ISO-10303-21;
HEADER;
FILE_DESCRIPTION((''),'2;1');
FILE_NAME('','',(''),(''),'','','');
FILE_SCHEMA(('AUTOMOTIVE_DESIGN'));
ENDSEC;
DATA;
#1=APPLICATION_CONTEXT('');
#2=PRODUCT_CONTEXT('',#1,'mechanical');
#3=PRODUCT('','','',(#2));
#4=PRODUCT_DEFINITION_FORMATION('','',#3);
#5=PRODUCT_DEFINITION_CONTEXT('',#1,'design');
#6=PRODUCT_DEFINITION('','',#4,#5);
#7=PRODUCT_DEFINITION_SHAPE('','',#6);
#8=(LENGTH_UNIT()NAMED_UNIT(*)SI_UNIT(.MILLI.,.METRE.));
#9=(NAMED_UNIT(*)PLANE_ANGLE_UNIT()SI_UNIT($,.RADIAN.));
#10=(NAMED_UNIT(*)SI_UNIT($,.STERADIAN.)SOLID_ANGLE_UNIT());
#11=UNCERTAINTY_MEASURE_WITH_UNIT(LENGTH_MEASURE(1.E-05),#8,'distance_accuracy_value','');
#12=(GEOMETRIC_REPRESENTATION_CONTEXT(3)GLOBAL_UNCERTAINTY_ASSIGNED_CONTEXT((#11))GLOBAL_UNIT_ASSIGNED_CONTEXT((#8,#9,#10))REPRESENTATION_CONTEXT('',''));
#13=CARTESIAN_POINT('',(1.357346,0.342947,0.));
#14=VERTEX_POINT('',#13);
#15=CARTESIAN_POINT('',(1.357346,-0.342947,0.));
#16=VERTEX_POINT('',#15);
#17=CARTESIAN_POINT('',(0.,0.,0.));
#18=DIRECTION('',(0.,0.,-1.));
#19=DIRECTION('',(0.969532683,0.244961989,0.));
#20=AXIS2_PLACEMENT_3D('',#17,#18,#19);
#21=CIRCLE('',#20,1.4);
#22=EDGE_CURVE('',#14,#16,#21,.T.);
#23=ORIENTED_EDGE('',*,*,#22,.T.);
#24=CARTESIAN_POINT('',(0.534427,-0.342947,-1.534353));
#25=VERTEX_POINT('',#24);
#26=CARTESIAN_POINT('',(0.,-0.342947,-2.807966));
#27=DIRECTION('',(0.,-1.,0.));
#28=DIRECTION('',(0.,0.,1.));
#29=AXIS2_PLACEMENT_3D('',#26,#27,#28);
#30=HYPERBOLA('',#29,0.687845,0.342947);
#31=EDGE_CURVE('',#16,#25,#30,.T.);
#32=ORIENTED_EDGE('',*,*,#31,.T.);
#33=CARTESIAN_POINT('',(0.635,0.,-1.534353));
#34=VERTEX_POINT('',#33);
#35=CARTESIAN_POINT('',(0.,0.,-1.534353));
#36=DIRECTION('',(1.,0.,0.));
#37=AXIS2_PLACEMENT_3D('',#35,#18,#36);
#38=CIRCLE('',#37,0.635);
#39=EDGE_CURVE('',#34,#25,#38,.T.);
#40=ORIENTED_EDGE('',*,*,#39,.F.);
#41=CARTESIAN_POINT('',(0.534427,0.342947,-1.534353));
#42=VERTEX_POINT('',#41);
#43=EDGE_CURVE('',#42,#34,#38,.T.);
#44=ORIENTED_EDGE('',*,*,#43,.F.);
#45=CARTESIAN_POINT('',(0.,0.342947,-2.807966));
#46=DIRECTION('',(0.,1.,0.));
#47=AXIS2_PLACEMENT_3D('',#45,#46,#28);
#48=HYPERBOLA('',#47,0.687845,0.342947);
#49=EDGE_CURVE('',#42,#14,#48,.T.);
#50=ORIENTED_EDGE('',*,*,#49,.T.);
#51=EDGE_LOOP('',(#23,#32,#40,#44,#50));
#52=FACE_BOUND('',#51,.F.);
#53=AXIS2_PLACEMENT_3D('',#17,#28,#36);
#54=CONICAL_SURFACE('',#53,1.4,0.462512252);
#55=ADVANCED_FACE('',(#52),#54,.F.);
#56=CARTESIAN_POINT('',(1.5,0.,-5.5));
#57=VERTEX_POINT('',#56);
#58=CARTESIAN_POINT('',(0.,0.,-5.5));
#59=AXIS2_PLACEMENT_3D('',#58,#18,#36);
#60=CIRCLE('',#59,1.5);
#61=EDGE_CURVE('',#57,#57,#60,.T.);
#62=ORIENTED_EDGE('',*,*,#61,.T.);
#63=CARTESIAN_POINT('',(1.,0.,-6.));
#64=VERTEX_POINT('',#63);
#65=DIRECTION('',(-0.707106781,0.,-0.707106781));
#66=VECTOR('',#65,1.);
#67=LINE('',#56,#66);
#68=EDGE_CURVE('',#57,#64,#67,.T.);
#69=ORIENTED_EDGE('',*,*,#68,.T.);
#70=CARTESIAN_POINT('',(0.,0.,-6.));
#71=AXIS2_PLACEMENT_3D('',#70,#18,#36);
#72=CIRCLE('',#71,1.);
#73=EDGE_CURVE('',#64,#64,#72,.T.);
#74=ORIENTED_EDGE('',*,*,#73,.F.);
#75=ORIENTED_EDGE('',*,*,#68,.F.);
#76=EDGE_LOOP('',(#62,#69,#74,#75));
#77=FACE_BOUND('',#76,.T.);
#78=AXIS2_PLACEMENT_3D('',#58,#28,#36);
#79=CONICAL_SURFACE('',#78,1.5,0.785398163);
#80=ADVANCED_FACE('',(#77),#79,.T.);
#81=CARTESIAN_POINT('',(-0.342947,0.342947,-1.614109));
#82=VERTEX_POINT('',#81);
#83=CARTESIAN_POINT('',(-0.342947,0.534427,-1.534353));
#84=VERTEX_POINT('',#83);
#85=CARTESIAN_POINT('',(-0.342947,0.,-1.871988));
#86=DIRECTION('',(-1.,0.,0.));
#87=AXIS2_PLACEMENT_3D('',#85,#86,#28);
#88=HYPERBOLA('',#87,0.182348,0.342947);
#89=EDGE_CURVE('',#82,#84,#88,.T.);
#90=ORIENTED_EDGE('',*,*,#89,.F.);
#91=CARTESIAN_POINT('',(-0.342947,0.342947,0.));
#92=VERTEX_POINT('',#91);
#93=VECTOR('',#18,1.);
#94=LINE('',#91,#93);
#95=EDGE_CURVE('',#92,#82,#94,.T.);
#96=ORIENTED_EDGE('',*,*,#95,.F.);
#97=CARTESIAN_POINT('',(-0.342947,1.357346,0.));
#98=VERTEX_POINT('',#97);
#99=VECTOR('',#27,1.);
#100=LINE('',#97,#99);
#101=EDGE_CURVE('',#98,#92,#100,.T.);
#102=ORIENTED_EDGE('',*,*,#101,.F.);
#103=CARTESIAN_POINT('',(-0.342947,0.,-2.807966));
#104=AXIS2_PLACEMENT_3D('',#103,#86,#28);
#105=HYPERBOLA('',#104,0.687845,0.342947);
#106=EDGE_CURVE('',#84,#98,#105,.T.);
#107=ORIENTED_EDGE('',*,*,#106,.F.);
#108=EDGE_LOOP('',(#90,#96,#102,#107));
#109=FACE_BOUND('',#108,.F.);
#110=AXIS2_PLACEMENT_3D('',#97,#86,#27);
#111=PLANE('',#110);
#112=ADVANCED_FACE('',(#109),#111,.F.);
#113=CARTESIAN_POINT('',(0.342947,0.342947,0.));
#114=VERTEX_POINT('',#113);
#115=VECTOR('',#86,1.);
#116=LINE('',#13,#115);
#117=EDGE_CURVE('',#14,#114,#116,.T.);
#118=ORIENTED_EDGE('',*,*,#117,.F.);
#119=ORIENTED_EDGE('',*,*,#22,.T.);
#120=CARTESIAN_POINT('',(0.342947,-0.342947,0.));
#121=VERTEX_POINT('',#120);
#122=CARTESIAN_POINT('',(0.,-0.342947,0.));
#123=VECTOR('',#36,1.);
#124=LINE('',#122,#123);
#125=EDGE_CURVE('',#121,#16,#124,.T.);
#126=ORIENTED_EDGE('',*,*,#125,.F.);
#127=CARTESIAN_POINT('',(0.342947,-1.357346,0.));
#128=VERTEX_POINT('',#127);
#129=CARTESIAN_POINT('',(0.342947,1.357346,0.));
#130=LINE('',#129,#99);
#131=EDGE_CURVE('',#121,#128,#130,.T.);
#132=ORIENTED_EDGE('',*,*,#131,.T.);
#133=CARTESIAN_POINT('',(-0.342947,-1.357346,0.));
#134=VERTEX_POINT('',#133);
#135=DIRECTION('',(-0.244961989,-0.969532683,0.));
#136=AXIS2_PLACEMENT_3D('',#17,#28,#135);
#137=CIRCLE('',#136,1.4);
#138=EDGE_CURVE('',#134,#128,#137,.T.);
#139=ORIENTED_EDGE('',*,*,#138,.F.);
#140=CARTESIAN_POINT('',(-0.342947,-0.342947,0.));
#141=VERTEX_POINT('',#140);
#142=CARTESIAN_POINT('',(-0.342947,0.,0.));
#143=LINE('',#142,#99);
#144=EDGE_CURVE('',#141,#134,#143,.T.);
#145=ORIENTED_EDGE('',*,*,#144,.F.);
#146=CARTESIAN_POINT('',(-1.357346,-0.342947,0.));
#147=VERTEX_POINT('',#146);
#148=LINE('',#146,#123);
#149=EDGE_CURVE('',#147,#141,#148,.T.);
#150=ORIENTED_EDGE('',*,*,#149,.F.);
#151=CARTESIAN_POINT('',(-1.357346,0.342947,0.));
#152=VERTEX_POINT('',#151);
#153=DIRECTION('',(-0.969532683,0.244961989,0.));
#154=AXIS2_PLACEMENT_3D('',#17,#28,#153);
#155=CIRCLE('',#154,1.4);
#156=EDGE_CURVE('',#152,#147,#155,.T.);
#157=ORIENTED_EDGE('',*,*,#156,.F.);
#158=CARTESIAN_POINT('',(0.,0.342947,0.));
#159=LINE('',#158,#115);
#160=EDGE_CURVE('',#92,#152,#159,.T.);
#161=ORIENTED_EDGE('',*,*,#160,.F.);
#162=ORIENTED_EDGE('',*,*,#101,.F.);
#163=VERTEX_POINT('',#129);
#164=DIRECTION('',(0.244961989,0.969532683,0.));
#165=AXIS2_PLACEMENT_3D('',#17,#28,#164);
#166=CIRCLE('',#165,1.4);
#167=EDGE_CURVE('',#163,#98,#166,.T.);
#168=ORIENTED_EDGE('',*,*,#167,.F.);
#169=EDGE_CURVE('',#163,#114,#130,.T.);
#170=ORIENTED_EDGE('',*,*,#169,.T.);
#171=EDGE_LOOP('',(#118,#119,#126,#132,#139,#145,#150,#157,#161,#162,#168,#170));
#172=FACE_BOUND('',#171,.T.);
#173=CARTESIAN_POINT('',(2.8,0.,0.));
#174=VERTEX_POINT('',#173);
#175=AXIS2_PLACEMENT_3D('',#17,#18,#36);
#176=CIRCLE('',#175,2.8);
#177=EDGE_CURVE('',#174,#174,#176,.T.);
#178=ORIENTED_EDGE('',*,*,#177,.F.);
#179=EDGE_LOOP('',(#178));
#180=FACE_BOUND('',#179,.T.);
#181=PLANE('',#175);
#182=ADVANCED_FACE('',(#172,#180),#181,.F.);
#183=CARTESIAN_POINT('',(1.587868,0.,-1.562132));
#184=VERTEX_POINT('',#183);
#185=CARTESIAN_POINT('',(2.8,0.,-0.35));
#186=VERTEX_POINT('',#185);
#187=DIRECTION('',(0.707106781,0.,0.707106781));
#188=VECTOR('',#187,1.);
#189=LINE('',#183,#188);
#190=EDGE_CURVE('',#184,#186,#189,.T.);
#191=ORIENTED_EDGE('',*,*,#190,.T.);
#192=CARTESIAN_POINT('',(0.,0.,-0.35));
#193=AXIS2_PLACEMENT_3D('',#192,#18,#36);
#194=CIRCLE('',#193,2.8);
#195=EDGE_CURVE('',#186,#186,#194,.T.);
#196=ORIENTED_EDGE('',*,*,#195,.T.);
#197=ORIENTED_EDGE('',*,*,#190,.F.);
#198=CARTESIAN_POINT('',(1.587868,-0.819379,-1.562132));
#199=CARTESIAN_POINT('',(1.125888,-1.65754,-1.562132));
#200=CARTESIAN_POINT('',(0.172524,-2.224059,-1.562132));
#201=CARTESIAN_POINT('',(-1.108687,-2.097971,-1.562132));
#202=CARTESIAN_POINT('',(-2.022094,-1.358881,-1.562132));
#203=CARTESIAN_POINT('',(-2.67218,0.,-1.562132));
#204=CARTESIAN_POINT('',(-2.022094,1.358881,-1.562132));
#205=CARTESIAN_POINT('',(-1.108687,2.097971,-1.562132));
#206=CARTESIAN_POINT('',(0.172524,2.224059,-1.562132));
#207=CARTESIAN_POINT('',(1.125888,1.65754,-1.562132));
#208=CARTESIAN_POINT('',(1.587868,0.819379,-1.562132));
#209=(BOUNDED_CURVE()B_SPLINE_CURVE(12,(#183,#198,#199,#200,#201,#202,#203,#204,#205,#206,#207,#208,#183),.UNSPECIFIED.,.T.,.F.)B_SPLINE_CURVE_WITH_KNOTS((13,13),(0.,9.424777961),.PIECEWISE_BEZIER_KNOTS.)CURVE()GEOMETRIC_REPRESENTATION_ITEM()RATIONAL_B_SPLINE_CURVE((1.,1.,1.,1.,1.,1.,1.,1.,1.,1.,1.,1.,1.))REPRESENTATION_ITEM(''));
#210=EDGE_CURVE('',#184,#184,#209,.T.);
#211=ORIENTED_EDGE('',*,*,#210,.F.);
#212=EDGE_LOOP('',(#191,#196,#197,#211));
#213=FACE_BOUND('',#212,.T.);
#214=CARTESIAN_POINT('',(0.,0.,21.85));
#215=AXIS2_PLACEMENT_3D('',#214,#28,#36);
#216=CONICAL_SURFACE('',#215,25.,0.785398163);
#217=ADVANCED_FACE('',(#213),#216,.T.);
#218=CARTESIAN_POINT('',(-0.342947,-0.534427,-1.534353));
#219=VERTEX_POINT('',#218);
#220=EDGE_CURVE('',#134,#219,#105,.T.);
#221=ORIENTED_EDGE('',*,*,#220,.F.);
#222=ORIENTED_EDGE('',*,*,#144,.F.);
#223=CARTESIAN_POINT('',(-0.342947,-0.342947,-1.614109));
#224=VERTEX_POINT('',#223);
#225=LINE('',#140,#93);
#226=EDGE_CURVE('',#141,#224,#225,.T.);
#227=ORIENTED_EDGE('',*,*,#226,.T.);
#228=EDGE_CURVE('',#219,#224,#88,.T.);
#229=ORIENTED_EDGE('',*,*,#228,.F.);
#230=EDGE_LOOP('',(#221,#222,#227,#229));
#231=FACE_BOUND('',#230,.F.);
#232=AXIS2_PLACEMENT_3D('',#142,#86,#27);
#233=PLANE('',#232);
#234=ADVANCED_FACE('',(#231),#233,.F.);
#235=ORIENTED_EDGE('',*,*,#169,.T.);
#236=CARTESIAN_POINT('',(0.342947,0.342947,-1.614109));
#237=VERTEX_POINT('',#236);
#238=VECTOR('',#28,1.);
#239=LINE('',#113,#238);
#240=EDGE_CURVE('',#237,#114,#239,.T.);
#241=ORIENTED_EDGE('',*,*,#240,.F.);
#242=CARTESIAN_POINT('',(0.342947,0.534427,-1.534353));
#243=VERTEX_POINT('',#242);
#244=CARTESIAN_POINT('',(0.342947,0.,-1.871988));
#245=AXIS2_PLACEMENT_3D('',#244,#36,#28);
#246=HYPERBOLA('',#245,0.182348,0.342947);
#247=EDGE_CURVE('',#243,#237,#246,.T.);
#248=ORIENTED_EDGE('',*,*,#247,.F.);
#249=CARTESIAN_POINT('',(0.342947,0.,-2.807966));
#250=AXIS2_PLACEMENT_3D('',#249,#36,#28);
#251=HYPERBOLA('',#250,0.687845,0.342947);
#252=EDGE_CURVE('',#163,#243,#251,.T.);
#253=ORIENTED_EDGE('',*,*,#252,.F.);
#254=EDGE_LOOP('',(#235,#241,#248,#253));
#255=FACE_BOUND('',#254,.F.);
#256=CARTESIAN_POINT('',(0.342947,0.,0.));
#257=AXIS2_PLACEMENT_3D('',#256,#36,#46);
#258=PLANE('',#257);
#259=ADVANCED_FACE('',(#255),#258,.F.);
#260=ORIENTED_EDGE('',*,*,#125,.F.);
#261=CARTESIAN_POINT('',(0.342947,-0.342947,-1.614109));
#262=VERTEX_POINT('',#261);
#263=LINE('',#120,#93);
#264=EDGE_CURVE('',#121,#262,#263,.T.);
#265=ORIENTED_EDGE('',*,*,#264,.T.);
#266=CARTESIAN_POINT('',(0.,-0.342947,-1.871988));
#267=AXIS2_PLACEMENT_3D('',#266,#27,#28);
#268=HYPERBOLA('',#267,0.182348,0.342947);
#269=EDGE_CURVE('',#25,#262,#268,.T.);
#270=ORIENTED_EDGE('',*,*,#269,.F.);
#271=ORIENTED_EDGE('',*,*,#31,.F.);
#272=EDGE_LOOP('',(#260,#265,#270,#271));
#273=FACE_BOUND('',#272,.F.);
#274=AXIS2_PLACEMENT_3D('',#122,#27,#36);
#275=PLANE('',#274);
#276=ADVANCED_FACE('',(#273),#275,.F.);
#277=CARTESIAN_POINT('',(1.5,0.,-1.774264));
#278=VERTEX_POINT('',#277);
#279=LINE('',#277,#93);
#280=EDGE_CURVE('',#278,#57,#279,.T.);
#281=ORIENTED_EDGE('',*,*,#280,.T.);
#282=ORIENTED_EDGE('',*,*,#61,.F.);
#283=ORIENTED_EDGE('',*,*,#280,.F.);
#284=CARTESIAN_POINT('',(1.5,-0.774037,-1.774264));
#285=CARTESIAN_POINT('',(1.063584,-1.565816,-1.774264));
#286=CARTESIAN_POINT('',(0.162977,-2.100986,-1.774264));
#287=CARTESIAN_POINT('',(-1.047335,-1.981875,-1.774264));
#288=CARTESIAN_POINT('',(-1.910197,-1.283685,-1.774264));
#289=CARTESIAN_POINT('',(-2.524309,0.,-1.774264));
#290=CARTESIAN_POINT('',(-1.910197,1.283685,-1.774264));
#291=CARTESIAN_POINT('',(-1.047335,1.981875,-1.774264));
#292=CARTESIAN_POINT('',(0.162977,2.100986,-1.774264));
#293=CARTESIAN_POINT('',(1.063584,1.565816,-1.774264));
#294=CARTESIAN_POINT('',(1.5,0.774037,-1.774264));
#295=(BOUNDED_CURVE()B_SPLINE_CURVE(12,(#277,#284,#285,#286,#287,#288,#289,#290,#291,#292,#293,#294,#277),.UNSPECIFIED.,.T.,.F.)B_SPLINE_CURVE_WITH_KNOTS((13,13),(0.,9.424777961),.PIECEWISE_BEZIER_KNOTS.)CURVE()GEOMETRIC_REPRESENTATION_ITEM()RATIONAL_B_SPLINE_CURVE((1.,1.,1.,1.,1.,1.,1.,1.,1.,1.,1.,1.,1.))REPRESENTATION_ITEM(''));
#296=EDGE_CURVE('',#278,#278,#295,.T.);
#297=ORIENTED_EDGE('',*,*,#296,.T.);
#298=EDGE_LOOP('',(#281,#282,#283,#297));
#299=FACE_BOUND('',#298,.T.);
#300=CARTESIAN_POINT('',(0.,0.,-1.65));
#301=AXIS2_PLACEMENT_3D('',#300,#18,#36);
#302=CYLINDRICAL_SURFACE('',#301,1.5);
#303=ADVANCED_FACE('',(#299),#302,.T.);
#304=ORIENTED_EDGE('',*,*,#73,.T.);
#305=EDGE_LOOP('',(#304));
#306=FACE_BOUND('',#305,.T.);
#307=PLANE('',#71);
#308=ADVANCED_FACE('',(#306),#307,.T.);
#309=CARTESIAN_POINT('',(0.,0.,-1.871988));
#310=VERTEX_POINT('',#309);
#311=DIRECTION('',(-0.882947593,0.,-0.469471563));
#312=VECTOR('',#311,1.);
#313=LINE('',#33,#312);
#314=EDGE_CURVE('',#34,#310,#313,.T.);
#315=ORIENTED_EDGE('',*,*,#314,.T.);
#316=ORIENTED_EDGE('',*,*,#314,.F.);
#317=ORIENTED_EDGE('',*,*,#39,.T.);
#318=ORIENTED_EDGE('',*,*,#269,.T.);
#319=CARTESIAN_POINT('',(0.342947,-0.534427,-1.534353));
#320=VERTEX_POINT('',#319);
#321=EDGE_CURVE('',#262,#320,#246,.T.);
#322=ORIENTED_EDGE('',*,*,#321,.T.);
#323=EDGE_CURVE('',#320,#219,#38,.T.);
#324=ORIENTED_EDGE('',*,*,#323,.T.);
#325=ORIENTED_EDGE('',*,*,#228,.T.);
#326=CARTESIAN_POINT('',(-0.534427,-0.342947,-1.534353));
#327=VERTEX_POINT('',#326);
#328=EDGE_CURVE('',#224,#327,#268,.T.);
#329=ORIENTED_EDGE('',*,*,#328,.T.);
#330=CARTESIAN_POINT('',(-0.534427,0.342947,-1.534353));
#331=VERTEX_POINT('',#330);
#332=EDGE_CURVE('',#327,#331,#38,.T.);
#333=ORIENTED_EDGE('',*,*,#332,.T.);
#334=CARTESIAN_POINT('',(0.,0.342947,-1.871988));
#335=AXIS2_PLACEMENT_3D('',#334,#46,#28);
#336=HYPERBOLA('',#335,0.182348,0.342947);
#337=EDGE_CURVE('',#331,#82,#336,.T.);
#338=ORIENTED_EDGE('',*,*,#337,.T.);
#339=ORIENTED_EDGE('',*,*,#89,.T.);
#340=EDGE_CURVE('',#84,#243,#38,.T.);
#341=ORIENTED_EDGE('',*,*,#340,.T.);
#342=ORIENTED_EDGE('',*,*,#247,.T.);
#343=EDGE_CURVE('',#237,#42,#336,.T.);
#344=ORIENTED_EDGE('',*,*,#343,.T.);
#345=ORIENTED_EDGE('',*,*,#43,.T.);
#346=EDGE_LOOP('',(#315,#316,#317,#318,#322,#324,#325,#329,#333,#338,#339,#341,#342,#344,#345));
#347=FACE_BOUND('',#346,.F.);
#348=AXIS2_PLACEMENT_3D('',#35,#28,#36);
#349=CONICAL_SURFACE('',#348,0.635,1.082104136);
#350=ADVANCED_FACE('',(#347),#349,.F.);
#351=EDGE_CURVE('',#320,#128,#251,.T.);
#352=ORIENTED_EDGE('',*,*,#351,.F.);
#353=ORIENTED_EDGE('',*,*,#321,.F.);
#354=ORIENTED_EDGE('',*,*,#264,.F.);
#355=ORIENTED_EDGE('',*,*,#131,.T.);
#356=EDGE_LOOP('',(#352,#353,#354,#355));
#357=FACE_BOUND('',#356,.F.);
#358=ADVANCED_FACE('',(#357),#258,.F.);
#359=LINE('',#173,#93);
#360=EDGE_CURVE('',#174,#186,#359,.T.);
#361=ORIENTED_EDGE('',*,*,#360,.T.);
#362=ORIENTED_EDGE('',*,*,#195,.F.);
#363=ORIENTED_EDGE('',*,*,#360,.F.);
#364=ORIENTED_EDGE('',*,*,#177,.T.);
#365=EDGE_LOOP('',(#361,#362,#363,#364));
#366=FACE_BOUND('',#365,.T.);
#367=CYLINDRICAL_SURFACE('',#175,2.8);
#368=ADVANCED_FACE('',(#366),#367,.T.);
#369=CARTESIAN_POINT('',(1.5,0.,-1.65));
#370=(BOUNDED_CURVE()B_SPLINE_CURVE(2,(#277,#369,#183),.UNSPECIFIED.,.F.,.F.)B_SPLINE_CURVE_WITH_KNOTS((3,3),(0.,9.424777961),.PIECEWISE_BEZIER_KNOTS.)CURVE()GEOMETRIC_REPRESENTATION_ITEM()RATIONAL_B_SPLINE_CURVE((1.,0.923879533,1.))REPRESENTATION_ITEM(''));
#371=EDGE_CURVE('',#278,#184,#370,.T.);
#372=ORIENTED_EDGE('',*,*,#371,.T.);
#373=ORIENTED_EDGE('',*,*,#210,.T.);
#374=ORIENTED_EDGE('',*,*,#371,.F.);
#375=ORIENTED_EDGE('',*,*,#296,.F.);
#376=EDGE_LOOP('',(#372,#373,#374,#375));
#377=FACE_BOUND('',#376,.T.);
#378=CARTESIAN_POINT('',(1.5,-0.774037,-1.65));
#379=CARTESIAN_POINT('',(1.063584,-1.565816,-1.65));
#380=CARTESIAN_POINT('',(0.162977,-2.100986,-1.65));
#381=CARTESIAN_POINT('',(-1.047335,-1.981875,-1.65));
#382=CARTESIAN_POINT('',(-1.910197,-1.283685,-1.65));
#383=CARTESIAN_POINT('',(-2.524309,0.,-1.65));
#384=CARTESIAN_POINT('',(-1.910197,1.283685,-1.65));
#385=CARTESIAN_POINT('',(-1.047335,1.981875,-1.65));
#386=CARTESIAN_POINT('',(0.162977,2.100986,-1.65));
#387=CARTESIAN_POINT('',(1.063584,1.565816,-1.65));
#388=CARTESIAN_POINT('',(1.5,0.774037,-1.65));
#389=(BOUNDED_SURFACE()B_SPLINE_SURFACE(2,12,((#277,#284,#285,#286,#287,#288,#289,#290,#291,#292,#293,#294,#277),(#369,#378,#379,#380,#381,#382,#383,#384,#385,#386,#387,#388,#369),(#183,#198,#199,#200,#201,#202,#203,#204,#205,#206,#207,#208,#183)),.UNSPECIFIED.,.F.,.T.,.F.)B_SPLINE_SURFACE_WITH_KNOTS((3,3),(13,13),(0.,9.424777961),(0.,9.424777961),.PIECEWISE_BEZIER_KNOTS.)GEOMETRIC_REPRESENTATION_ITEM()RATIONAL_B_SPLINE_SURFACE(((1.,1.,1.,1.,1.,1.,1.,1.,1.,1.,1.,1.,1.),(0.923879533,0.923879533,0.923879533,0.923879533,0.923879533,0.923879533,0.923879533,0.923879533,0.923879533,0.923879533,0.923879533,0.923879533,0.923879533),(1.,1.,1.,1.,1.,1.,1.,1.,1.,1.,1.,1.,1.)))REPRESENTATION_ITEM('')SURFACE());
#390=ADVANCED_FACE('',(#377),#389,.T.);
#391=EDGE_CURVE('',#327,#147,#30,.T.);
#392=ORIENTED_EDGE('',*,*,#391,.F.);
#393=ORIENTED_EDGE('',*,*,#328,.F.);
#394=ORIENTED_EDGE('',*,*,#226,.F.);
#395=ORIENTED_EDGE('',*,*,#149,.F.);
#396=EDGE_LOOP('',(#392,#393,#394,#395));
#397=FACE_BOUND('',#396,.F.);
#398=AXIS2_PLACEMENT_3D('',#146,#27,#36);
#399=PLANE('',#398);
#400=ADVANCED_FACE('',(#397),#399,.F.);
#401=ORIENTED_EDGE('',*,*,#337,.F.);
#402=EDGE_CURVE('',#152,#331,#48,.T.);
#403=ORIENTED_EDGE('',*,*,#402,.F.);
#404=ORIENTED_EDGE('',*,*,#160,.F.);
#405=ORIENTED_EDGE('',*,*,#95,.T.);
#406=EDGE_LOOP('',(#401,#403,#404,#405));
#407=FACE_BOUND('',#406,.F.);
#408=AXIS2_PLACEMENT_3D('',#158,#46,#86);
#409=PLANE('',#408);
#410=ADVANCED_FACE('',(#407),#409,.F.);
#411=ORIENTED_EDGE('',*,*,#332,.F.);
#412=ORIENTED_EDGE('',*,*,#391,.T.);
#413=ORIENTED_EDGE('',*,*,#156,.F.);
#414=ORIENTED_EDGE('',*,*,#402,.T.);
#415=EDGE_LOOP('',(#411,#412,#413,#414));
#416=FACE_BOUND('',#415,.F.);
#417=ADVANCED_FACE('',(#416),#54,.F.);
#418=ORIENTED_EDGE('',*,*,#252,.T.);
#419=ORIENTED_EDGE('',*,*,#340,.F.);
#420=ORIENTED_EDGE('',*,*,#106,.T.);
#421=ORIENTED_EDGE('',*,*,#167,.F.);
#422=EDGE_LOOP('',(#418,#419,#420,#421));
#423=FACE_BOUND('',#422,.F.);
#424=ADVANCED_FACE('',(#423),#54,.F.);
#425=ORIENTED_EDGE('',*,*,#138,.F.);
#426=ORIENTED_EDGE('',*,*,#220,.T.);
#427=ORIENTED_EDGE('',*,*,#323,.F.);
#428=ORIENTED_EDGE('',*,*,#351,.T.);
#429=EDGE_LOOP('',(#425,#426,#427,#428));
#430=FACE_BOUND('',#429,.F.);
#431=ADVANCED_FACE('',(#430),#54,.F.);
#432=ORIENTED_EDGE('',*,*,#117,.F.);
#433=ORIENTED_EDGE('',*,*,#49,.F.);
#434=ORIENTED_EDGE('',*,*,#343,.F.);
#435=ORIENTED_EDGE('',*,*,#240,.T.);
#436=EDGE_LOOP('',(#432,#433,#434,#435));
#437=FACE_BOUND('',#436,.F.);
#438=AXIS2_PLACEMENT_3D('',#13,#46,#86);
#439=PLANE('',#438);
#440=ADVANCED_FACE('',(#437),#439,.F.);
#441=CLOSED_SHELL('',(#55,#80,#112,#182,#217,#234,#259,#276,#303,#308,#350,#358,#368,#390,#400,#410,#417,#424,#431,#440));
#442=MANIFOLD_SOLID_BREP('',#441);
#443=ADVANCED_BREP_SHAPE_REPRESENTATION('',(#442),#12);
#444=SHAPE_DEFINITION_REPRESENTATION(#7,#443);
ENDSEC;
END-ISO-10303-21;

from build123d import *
from build123d.topology import SkipClean

# Parameters (mm, degrees)
CHAMFERROD_SIZE   = 0.5
CROSS_DEPTH       = 2.8
CIRPATTERN1_COUNT = 4
FILLET1_R         = 0.3


with BuildPart() as part:
    # Sketch1 → RevolveBase (revolve)
    with BuildSketch(Plane(origin=(0, 0, 0), x_dir=(0, 0, -1), z_dir=(1, 0, 0)), mode=Mode.PRIVATE) as revolvebase_sk:
        Polygon((0, 0), (0, 2.8), (0.35, 2.8), (1.65, 1.5), (6, 1.5), (6, 0), align=None)
    revolve(revolvebase_sk.sketch.rotate(Axis((0, 0, 0), (0, 0, -1)), 90), axis=Axis((0, 0, 0), (0, 0, -1)))

    # ChamferRod
    chamferrod_edges = [part.edges().sort_by_distance(p)[0] for p in [
        (-1.5, 0, -6),
    ]]
    chamfer(chamferrod_edges, length=CHAMFERROD_SIZE)

    # Sketch3 → Cross (cut)
    with BuildSketch(Plane.XY):
        with BuildLine():
            Line((-0.342946789, 0), (0.342946789, 0))
            Line((0.342946789, 0), (0.342946789, 1.357345756))
            ThreePointArc((0.342946789, 1.357345756), (0, 1.4), (-0.342946789, 1.357345756))
            Line((-0.342946789, 1.357345756), (-0.342946789, 0))
        make_face()
    cross = extrude(amount=-CROSS_DEPTH, mode=Mode.SUBTRACT)

    # CirPattern1: Cross ×4 about axis
    cirpattern1_axis = Axis((0, 0, 0), (0, 0, 1))
    for i in range(1, CIRPATTERN1_COUNT):
        add(cross.rotate(cirpattern1_axis, i * 360 / CIRPATTERN1_COUNT), mode=Mode.SUBTRACT)

    # Sketch5 → RevolveRod (revolve)
    with BuildSketch(Plane(origin=(0, 0, 0), x_dir=(0, 0, -1), z_dir=(1, 0, 0)), mode=Mode.PRIVATE) as revolverod_sk:
        Polygon((2.8, 0), (2.8, 1.9), (0, 1.9), (0, 1.4), (1.534352627, 0.635), (1.871988116, 0), align=None)
    revolve(revolverod_sk.sketch.rotate(Axis((0, 0, 0), (0, 0, -1)), 90), axis=Axis((0, 0, 0), (0, 0, -1)))

    # Sketch7 → CutRod (revolve, cut)
    with SkipClean():  # the faces are left unmerged after this step: merging them gives an invalid solid
        with BuildSketch(Plane(origin=(0, 0, 0), x_dir=(0, 0, -1), z_dir=(1, 0, 0)), mode=Mode.PRIVATE) as cutrod_sk:
            Polygon((-21.85, 25), (1.65, 1.5), (2.8, 1.5), (2.8, 25), align=None)
        revolve(cutrod_sk.sketch.rotate(Axis((0, 0, 0), (0, 0, -1)), 90), axis=Axis((0, 0, 0), (0, 0, -1)), mode=Mode.SUBTRACT)

    # Fillet1
    fillet1_edges = [part.edges().sort_by_distance(p)[0] for p in [
        (-1.5, 0, -1.65),
    ]]
    fillet(fillet1_edges, radius=FILLET1_R)


solid = part.part
